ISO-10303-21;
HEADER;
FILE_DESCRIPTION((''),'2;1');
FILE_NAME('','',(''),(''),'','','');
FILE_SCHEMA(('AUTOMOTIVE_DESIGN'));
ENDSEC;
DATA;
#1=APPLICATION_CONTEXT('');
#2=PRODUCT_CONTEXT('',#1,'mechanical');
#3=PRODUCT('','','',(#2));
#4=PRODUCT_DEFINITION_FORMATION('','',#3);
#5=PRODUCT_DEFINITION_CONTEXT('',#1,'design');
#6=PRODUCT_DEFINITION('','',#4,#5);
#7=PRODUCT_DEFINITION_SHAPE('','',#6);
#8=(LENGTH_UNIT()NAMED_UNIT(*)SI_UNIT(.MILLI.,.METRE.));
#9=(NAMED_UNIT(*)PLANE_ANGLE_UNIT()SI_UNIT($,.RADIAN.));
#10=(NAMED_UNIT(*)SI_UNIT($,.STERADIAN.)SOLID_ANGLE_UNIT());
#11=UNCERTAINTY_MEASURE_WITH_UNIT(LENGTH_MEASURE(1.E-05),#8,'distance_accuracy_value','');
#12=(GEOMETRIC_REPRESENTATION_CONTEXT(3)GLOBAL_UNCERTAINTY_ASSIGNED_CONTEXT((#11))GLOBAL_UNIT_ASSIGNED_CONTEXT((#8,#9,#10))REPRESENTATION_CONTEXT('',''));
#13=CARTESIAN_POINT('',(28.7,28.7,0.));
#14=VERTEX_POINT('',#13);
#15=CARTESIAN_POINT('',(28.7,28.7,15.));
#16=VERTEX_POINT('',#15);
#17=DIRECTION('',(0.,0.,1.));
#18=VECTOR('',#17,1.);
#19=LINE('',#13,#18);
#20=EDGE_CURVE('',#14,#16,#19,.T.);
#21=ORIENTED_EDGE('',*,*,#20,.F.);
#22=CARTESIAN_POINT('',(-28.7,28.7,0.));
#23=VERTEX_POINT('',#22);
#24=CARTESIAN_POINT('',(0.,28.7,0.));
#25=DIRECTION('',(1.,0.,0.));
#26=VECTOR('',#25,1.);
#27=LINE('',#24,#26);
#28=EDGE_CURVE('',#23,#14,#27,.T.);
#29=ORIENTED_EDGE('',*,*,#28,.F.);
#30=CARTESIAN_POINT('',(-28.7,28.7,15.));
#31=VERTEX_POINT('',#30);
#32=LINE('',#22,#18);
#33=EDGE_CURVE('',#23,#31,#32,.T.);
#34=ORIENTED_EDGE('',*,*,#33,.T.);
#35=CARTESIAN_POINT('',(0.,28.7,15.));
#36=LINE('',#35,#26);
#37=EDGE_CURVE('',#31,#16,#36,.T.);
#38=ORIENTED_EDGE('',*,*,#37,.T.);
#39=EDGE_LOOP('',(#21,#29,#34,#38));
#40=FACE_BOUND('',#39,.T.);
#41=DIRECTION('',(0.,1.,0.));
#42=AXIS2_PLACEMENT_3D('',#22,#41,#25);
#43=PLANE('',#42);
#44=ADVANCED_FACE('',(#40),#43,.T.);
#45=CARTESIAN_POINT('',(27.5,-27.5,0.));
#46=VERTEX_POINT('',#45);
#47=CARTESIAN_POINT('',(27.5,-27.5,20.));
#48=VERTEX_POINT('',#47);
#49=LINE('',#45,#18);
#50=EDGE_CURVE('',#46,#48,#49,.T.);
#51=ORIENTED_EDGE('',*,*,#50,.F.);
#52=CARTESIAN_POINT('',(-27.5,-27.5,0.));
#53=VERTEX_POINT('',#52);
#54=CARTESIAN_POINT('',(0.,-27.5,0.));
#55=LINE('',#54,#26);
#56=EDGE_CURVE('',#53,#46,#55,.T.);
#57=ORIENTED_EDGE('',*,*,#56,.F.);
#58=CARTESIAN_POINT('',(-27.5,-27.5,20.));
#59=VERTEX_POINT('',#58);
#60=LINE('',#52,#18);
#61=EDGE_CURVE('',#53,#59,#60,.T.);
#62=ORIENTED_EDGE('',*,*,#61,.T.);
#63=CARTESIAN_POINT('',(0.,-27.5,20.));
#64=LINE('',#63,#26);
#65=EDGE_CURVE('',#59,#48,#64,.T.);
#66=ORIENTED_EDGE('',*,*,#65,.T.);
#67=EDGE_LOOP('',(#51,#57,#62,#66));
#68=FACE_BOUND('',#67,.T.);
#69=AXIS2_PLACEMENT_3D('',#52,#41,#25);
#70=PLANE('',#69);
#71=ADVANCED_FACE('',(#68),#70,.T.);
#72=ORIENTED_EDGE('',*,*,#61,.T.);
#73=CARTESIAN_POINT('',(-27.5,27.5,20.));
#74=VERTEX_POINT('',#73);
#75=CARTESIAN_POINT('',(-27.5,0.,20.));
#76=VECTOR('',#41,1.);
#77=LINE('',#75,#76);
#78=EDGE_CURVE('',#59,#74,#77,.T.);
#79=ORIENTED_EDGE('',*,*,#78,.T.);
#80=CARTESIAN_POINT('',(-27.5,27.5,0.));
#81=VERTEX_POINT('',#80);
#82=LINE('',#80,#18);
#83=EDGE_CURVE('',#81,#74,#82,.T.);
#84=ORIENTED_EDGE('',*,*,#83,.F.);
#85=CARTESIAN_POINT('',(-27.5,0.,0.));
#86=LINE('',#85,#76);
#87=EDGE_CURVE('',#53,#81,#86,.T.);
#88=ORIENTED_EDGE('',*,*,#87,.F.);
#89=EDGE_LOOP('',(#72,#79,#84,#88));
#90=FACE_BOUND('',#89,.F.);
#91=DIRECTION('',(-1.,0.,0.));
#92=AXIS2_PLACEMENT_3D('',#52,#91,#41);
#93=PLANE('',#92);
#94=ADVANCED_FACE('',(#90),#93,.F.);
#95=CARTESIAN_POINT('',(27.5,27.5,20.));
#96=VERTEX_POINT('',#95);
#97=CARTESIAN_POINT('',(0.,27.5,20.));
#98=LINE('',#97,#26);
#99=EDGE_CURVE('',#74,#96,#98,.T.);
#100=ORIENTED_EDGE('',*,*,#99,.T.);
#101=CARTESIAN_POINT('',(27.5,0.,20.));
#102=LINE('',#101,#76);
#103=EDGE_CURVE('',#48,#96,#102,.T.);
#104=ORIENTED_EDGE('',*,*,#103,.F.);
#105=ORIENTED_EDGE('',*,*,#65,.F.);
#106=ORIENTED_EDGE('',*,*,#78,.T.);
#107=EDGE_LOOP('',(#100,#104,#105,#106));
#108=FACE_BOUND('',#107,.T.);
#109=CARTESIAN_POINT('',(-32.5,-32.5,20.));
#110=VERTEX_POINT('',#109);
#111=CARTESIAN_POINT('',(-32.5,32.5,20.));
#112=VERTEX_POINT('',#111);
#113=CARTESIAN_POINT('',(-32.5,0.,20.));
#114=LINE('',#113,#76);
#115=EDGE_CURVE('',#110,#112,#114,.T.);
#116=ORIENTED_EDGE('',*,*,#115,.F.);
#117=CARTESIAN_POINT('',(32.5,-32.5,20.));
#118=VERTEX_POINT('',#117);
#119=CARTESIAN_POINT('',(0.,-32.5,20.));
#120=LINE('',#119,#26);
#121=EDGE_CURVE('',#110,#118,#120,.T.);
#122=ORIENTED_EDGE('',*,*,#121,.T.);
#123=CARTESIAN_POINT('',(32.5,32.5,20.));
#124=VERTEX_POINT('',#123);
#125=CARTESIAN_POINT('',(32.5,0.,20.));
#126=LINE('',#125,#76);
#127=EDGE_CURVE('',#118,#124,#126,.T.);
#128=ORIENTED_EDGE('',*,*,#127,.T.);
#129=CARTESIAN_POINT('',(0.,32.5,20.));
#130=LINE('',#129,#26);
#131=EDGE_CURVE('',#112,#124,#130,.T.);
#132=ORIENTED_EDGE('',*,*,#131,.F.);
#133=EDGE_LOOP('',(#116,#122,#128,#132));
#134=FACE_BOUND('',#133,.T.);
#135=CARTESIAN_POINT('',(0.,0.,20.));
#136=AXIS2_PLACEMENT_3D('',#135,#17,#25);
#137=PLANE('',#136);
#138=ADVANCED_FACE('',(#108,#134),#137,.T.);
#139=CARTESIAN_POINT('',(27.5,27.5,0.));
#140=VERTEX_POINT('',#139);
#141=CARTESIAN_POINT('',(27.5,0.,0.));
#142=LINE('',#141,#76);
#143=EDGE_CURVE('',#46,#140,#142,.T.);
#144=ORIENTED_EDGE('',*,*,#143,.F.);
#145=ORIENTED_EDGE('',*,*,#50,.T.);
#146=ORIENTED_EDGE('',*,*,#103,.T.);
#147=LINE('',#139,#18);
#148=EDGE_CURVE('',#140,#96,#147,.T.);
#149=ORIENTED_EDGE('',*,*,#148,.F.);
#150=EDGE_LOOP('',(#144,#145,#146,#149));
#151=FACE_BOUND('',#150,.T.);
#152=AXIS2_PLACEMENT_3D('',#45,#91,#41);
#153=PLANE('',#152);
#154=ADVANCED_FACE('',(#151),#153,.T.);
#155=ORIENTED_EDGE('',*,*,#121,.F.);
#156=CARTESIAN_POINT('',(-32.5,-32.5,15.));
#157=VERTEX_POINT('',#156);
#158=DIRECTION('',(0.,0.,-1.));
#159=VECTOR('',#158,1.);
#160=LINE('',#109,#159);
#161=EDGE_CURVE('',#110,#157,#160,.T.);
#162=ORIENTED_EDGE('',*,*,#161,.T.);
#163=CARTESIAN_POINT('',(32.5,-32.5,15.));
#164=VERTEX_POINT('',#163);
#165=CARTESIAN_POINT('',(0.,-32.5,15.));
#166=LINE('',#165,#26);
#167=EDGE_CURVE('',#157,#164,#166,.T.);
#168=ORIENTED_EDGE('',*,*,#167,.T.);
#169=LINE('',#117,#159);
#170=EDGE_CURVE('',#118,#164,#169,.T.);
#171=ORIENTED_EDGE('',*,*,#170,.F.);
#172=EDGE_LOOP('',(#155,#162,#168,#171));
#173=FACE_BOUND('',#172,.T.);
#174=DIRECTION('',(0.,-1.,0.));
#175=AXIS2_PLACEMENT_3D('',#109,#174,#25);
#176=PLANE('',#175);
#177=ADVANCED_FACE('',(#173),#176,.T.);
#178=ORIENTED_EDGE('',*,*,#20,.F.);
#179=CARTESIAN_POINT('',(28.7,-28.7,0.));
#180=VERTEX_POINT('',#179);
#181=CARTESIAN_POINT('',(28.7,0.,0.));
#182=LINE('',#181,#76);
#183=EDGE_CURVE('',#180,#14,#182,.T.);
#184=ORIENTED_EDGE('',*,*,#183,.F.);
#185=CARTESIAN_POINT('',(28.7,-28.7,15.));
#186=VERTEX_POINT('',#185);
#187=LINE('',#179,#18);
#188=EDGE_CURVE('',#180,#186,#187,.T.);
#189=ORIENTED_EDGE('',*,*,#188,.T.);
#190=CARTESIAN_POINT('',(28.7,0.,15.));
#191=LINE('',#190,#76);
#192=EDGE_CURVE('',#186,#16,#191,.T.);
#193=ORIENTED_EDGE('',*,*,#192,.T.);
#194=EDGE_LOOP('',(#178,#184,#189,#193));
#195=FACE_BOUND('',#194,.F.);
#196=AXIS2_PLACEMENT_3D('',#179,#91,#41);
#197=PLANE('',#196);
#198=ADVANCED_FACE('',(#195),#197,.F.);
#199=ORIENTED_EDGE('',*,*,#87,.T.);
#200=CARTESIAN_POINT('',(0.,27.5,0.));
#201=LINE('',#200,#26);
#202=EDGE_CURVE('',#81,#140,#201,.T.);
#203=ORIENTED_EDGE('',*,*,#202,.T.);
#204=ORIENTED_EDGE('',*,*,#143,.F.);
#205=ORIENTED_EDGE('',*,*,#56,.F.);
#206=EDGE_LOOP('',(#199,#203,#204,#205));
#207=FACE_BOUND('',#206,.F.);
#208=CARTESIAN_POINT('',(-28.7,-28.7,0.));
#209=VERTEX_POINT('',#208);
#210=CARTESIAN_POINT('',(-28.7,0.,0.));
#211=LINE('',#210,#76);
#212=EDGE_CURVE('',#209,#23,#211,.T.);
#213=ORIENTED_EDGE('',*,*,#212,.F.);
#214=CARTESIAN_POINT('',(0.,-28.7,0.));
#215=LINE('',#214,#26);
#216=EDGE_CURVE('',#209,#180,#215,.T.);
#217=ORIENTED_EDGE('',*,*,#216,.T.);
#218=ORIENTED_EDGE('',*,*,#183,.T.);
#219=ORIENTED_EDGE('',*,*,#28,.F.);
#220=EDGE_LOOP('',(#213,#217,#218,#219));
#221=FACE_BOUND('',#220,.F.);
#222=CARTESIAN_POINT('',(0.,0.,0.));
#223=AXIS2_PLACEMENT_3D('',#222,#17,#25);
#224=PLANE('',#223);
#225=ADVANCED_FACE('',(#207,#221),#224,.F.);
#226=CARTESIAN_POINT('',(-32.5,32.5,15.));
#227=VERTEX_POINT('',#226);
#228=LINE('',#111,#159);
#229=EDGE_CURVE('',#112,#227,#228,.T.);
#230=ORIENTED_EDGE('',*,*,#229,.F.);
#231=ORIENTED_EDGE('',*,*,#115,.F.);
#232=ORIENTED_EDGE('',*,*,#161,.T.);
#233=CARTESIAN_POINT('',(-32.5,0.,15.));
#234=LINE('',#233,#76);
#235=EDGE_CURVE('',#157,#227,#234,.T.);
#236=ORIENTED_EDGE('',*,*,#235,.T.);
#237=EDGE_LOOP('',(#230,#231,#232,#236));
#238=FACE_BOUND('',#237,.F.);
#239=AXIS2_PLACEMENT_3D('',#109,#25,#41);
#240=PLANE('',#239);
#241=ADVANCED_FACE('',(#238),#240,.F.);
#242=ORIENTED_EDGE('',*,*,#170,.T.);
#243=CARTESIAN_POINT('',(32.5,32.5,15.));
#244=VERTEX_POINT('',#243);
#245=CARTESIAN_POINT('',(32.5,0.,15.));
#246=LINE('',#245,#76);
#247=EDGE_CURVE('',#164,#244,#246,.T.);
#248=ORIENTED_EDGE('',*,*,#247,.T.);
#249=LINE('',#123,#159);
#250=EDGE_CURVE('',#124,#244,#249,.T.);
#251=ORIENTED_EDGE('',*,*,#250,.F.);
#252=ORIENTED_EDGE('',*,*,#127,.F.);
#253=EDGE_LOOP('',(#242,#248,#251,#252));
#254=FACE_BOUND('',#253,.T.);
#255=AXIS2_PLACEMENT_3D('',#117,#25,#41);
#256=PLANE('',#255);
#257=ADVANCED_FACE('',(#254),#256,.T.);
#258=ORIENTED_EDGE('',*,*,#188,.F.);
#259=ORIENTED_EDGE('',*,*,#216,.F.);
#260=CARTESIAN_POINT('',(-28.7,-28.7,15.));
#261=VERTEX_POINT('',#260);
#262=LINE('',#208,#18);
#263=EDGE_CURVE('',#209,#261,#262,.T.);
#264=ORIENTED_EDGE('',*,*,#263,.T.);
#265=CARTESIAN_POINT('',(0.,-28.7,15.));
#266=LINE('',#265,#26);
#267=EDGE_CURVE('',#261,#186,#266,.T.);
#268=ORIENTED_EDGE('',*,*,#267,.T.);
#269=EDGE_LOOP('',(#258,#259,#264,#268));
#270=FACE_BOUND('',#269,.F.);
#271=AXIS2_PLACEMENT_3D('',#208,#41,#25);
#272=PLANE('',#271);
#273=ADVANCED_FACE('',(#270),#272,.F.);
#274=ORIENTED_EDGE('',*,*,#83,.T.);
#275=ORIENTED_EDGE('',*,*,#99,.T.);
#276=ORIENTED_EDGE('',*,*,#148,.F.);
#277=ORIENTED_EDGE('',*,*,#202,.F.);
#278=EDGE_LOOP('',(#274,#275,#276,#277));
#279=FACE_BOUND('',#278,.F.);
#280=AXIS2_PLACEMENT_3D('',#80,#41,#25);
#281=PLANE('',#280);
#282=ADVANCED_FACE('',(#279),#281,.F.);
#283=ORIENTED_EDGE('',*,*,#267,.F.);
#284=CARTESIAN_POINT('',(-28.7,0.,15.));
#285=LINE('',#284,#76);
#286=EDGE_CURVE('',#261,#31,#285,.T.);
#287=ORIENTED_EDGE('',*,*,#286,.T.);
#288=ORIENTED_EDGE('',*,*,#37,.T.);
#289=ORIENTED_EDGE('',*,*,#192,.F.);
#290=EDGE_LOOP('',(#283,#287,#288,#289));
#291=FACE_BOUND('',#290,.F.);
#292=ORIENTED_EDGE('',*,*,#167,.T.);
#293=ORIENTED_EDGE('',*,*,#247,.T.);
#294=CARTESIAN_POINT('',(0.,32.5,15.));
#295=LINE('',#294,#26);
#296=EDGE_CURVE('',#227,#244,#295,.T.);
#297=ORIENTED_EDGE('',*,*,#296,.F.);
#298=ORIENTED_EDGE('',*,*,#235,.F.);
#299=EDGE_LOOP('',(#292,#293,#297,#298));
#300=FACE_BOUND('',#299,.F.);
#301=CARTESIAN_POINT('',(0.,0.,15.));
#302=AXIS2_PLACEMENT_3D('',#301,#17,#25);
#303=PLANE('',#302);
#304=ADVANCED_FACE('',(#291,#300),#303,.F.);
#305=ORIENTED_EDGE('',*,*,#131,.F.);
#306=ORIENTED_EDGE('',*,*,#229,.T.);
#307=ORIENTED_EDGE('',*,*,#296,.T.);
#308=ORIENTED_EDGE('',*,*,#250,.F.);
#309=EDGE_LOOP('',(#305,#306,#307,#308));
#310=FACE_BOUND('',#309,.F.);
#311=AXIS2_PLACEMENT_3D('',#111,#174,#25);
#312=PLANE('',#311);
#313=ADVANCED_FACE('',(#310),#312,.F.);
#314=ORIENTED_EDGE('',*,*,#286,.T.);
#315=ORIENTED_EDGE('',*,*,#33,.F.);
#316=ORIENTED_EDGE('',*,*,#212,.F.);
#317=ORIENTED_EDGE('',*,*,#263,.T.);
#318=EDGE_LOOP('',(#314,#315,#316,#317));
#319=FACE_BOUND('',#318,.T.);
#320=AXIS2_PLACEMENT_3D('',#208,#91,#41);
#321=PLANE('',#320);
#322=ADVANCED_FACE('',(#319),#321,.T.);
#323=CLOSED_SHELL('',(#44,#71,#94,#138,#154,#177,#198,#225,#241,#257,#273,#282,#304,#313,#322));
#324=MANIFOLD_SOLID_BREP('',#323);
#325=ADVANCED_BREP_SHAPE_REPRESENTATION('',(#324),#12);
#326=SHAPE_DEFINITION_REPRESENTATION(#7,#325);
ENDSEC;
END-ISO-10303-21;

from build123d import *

# Parameters (mm, degrees)
F0_W     = 57.4
F0_H     = 57.4
F0_W_2   = 55
F0_H_2   = 55
F1_DEPTH = 20
F2_W     = 65
F2_H     = 65
F2_W_2   = 57.4
F2_H_2   = 57.4
F3_DEPTH = 5


with BuildPart() as f1:
    # F0 (on Top) → F1 (new body)
    with BuildSketch(Plane.XY):
        Rectangle(F0_W, F0_H)
        Rectangle(F0_W_2, F0_H_2, mode=Mode.SUBTRACT)
    extrude(amount=F1_DEPTH)

    # F2 (on face) → F3 (join)
    with BuildSketch(Plane.XY.offset(20)):
        Rectangle(F2_W, F2_H)
        Rectangle(F2_W_2, F2_H_2, mode=Mode.SUBTRACT)
    extrude(amount=-F3_DEPTH)


solid = f1.part
